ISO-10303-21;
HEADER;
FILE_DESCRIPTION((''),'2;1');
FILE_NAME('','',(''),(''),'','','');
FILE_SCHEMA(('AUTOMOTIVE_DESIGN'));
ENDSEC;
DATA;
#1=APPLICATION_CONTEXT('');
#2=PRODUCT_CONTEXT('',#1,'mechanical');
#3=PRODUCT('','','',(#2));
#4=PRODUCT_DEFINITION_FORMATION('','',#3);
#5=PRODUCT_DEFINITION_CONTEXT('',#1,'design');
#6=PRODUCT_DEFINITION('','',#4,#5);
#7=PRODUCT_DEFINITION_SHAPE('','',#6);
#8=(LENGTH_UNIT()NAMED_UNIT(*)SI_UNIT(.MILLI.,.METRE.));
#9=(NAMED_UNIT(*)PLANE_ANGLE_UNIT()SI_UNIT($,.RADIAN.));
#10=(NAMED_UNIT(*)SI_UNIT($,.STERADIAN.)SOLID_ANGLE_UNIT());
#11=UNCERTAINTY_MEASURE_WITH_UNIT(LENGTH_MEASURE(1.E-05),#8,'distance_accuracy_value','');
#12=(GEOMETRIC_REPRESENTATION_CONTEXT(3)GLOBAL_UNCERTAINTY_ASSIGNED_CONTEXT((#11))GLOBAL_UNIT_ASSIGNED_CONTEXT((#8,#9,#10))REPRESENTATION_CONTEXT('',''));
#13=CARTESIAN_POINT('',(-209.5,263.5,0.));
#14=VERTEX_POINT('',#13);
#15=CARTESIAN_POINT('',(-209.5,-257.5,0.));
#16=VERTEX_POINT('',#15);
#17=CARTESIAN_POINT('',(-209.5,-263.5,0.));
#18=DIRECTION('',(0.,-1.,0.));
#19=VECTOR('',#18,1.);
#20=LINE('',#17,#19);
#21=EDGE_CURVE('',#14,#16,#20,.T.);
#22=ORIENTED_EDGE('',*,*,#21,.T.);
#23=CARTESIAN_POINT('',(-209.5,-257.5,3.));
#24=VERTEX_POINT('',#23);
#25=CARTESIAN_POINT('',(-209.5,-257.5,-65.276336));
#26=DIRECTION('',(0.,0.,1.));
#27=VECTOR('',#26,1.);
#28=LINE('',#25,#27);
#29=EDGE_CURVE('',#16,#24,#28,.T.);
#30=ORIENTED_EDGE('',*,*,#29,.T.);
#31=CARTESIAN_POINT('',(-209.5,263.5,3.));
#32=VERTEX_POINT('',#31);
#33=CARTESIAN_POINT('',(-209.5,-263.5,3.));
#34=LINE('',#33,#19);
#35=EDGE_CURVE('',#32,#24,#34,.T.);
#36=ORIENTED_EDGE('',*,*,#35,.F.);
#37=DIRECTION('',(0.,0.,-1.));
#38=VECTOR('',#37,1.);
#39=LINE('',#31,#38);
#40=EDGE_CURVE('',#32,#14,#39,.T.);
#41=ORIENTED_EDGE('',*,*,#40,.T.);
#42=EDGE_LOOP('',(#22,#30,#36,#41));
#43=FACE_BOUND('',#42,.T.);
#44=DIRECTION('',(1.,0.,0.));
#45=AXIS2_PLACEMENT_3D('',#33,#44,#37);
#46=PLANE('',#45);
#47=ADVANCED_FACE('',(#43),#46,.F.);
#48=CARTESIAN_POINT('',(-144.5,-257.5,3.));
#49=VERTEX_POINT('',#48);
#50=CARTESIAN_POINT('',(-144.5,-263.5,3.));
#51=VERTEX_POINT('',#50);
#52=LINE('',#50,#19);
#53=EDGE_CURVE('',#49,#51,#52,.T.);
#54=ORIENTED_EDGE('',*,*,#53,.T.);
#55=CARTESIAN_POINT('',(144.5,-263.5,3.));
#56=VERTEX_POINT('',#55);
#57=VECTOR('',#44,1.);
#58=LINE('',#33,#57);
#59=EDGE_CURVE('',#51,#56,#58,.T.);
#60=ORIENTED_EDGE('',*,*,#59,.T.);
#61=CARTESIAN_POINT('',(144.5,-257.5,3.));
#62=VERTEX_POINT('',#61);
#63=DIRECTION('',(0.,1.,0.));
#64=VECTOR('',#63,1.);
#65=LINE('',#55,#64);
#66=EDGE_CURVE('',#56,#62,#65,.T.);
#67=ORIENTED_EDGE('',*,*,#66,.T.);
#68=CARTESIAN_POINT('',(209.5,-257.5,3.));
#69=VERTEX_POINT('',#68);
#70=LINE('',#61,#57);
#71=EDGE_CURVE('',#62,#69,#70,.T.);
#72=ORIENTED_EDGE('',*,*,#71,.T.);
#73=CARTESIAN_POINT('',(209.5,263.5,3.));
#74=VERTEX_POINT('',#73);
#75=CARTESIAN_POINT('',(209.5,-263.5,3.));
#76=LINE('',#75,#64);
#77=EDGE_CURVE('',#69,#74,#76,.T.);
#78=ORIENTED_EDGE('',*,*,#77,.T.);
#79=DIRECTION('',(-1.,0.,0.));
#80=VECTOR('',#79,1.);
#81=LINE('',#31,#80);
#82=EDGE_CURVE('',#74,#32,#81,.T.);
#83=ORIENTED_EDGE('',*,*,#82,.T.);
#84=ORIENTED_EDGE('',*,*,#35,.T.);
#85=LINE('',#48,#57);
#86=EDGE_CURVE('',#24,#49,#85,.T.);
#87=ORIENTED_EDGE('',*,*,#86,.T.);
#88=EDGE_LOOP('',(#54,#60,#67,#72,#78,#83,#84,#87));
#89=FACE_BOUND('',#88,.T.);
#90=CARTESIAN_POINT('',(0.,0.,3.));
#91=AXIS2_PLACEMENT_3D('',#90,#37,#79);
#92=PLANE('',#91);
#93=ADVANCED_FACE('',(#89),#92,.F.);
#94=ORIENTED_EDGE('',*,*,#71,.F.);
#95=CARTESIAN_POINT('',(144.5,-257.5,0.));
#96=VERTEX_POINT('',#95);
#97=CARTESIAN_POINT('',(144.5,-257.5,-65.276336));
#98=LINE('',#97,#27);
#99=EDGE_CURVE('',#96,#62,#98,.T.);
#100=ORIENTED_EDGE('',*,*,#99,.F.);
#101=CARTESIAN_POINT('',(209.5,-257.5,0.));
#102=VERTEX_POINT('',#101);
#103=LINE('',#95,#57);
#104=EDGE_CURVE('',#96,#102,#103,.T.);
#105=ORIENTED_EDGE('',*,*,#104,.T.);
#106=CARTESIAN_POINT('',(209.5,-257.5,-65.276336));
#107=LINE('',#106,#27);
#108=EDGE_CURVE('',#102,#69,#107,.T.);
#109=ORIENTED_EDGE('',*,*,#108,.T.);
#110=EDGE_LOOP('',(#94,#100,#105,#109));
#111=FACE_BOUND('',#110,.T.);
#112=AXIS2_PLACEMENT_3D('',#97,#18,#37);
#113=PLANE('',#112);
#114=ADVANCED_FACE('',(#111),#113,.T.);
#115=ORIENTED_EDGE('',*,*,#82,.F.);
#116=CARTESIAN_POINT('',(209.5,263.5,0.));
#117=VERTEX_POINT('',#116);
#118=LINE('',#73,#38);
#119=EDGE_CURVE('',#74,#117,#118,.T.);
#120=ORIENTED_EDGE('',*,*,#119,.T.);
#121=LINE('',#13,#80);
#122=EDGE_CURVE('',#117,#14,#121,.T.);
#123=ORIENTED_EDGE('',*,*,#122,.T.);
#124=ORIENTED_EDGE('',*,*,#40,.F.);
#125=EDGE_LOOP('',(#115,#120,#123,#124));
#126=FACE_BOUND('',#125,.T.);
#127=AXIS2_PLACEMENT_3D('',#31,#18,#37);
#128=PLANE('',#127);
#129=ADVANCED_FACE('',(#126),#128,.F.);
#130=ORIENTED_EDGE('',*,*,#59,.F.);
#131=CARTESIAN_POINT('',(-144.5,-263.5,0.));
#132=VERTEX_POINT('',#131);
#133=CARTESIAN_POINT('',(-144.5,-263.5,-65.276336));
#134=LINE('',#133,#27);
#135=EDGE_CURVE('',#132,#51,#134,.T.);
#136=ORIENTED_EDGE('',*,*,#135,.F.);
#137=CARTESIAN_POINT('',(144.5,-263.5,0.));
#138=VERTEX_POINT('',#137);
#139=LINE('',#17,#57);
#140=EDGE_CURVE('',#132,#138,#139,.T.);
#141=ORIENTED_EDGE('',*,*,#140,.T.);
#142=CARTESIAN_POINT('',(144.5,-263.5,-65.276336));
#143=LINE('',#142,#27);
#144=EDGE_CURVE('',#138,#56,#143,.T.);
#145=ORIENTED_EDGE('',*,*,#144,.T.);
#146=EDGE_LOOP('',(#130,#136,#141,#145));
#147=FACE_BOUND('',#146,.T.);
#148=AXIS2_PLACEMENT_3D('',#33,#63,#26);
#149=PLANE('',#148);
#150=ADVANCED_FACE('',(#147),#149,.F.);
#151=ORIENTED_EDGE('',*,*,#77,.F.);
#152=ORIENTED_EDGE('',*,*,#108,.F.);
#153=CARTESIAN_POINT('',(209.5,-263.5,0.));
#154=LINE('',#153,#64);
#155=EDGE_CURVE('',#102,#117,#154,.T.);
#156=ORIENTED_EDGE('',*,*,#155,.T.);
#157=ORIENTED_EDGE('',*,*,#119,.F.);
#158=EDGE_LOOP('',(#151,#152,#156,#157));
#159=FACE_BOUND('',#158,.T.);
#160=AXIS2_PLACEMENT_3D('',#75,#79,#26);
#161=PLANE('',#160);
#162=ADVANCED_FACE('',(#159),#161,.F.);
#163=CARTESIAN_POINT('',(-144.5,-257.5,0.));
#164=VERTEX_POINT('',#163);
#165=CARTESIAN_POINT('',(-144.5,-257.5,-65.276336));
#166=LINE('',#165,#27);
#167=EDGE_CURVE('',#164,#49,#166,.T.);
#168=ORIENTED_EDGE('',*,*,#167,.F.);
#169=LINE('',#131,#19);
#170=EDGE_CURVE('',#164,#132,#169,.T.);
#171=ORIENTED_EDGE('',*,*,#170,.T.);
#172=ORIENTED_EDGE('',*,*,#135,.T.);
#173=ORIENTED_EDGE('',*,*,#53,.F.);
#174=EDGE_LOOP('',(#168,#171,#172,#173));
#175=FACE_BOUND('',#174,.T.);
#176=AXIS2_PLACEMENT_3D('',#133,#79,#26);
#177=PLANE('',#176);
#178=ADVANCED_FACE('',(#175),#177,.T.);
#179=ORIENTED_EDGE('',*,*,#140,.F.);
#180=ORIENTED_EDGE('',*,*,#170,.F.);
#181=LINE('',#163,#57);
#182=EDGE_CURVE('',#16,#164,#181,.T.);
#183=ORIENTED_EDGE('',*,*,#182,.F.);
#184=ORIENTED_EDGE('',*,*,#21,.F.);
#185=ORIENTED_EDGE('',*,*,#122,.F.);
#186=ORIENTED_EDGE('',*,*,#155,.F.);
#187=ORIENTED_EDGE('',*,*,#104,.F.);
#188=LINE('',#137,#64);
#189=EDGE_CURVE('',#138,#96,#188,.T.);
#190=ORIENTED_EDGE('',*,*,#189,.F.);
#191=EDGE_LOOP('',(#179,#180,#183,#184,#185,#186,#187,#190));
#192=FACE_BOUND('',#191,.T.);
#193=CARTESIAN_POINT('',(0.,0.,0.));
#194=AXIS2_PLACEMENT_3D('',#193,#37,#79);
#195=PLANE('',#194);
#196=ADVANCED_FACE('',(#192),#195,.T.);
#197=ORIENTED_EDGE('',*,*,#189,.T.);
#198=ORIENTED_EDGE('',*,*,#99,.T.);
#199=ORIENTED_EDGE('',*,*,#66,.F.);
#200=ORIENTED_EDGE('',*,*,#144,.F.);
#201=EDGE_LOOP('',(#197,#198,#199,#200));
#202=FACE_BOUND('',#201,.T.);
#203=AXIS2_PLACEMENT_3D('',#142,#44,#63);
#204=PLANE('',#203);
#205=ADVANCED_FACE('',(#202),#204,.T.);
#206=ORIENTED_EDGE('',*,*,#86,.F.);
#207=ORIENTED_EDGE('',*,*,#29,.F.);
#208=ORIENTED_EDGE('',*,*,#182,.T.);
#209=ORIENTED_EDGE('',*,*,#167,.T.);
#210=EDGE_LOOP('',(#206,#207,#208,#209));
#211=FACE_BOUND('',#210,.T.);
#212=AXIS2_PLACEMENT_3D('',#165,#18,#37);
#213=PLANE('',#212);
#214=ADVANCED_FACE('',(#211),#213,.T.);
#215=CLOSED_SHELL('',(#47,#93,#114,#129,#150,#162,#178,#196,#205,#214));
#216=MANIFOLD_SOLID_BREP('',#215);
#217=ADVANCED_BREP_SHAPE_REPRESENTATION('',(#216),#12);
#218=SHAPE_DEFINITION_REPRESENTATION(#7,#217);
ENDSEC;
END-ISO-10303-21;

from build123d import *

# Parameters (mm, degrees)
SKETCH_1_W          = 419
SKETCH_1_H          = 527
EXTRUDE_1_DEPTH     = 3
SKETCH_3_W          = 65
SKETCH_3_H          = 6
CUT_EXTRUDE_5_DEPTH = 3


with BuildPart() as part:
    # Эскиз1 → Бобышка-Вытянуть1 (new body)
    with BuildSketch(Plane.XY):
        Rectangle(SKETCH_1_W, SKETCH_1_H)
    extrude(amount=EXTRUDE_1_DEPTH)

    # Эскиз3 → Вырез-Вытянуть5 (cut)
    with BuildSketch(Plane(origin=(0, 0, 3), x_dir=(-1, 0, 0), z_dir=(0, 0, -1))):
        with Locations((-177, -260.5)):
            Rectangle(SKETCH_3_W, SKETCH_3_H)
        with Locations((177, -260.5)):
            Rectangle(SKETCH_3_W, SKETCH_3_H)
    extrude(amount=CUT_EXTRUDE_5_DEPTH, mode=Mode.SUBTRACT)


solid = part.part
